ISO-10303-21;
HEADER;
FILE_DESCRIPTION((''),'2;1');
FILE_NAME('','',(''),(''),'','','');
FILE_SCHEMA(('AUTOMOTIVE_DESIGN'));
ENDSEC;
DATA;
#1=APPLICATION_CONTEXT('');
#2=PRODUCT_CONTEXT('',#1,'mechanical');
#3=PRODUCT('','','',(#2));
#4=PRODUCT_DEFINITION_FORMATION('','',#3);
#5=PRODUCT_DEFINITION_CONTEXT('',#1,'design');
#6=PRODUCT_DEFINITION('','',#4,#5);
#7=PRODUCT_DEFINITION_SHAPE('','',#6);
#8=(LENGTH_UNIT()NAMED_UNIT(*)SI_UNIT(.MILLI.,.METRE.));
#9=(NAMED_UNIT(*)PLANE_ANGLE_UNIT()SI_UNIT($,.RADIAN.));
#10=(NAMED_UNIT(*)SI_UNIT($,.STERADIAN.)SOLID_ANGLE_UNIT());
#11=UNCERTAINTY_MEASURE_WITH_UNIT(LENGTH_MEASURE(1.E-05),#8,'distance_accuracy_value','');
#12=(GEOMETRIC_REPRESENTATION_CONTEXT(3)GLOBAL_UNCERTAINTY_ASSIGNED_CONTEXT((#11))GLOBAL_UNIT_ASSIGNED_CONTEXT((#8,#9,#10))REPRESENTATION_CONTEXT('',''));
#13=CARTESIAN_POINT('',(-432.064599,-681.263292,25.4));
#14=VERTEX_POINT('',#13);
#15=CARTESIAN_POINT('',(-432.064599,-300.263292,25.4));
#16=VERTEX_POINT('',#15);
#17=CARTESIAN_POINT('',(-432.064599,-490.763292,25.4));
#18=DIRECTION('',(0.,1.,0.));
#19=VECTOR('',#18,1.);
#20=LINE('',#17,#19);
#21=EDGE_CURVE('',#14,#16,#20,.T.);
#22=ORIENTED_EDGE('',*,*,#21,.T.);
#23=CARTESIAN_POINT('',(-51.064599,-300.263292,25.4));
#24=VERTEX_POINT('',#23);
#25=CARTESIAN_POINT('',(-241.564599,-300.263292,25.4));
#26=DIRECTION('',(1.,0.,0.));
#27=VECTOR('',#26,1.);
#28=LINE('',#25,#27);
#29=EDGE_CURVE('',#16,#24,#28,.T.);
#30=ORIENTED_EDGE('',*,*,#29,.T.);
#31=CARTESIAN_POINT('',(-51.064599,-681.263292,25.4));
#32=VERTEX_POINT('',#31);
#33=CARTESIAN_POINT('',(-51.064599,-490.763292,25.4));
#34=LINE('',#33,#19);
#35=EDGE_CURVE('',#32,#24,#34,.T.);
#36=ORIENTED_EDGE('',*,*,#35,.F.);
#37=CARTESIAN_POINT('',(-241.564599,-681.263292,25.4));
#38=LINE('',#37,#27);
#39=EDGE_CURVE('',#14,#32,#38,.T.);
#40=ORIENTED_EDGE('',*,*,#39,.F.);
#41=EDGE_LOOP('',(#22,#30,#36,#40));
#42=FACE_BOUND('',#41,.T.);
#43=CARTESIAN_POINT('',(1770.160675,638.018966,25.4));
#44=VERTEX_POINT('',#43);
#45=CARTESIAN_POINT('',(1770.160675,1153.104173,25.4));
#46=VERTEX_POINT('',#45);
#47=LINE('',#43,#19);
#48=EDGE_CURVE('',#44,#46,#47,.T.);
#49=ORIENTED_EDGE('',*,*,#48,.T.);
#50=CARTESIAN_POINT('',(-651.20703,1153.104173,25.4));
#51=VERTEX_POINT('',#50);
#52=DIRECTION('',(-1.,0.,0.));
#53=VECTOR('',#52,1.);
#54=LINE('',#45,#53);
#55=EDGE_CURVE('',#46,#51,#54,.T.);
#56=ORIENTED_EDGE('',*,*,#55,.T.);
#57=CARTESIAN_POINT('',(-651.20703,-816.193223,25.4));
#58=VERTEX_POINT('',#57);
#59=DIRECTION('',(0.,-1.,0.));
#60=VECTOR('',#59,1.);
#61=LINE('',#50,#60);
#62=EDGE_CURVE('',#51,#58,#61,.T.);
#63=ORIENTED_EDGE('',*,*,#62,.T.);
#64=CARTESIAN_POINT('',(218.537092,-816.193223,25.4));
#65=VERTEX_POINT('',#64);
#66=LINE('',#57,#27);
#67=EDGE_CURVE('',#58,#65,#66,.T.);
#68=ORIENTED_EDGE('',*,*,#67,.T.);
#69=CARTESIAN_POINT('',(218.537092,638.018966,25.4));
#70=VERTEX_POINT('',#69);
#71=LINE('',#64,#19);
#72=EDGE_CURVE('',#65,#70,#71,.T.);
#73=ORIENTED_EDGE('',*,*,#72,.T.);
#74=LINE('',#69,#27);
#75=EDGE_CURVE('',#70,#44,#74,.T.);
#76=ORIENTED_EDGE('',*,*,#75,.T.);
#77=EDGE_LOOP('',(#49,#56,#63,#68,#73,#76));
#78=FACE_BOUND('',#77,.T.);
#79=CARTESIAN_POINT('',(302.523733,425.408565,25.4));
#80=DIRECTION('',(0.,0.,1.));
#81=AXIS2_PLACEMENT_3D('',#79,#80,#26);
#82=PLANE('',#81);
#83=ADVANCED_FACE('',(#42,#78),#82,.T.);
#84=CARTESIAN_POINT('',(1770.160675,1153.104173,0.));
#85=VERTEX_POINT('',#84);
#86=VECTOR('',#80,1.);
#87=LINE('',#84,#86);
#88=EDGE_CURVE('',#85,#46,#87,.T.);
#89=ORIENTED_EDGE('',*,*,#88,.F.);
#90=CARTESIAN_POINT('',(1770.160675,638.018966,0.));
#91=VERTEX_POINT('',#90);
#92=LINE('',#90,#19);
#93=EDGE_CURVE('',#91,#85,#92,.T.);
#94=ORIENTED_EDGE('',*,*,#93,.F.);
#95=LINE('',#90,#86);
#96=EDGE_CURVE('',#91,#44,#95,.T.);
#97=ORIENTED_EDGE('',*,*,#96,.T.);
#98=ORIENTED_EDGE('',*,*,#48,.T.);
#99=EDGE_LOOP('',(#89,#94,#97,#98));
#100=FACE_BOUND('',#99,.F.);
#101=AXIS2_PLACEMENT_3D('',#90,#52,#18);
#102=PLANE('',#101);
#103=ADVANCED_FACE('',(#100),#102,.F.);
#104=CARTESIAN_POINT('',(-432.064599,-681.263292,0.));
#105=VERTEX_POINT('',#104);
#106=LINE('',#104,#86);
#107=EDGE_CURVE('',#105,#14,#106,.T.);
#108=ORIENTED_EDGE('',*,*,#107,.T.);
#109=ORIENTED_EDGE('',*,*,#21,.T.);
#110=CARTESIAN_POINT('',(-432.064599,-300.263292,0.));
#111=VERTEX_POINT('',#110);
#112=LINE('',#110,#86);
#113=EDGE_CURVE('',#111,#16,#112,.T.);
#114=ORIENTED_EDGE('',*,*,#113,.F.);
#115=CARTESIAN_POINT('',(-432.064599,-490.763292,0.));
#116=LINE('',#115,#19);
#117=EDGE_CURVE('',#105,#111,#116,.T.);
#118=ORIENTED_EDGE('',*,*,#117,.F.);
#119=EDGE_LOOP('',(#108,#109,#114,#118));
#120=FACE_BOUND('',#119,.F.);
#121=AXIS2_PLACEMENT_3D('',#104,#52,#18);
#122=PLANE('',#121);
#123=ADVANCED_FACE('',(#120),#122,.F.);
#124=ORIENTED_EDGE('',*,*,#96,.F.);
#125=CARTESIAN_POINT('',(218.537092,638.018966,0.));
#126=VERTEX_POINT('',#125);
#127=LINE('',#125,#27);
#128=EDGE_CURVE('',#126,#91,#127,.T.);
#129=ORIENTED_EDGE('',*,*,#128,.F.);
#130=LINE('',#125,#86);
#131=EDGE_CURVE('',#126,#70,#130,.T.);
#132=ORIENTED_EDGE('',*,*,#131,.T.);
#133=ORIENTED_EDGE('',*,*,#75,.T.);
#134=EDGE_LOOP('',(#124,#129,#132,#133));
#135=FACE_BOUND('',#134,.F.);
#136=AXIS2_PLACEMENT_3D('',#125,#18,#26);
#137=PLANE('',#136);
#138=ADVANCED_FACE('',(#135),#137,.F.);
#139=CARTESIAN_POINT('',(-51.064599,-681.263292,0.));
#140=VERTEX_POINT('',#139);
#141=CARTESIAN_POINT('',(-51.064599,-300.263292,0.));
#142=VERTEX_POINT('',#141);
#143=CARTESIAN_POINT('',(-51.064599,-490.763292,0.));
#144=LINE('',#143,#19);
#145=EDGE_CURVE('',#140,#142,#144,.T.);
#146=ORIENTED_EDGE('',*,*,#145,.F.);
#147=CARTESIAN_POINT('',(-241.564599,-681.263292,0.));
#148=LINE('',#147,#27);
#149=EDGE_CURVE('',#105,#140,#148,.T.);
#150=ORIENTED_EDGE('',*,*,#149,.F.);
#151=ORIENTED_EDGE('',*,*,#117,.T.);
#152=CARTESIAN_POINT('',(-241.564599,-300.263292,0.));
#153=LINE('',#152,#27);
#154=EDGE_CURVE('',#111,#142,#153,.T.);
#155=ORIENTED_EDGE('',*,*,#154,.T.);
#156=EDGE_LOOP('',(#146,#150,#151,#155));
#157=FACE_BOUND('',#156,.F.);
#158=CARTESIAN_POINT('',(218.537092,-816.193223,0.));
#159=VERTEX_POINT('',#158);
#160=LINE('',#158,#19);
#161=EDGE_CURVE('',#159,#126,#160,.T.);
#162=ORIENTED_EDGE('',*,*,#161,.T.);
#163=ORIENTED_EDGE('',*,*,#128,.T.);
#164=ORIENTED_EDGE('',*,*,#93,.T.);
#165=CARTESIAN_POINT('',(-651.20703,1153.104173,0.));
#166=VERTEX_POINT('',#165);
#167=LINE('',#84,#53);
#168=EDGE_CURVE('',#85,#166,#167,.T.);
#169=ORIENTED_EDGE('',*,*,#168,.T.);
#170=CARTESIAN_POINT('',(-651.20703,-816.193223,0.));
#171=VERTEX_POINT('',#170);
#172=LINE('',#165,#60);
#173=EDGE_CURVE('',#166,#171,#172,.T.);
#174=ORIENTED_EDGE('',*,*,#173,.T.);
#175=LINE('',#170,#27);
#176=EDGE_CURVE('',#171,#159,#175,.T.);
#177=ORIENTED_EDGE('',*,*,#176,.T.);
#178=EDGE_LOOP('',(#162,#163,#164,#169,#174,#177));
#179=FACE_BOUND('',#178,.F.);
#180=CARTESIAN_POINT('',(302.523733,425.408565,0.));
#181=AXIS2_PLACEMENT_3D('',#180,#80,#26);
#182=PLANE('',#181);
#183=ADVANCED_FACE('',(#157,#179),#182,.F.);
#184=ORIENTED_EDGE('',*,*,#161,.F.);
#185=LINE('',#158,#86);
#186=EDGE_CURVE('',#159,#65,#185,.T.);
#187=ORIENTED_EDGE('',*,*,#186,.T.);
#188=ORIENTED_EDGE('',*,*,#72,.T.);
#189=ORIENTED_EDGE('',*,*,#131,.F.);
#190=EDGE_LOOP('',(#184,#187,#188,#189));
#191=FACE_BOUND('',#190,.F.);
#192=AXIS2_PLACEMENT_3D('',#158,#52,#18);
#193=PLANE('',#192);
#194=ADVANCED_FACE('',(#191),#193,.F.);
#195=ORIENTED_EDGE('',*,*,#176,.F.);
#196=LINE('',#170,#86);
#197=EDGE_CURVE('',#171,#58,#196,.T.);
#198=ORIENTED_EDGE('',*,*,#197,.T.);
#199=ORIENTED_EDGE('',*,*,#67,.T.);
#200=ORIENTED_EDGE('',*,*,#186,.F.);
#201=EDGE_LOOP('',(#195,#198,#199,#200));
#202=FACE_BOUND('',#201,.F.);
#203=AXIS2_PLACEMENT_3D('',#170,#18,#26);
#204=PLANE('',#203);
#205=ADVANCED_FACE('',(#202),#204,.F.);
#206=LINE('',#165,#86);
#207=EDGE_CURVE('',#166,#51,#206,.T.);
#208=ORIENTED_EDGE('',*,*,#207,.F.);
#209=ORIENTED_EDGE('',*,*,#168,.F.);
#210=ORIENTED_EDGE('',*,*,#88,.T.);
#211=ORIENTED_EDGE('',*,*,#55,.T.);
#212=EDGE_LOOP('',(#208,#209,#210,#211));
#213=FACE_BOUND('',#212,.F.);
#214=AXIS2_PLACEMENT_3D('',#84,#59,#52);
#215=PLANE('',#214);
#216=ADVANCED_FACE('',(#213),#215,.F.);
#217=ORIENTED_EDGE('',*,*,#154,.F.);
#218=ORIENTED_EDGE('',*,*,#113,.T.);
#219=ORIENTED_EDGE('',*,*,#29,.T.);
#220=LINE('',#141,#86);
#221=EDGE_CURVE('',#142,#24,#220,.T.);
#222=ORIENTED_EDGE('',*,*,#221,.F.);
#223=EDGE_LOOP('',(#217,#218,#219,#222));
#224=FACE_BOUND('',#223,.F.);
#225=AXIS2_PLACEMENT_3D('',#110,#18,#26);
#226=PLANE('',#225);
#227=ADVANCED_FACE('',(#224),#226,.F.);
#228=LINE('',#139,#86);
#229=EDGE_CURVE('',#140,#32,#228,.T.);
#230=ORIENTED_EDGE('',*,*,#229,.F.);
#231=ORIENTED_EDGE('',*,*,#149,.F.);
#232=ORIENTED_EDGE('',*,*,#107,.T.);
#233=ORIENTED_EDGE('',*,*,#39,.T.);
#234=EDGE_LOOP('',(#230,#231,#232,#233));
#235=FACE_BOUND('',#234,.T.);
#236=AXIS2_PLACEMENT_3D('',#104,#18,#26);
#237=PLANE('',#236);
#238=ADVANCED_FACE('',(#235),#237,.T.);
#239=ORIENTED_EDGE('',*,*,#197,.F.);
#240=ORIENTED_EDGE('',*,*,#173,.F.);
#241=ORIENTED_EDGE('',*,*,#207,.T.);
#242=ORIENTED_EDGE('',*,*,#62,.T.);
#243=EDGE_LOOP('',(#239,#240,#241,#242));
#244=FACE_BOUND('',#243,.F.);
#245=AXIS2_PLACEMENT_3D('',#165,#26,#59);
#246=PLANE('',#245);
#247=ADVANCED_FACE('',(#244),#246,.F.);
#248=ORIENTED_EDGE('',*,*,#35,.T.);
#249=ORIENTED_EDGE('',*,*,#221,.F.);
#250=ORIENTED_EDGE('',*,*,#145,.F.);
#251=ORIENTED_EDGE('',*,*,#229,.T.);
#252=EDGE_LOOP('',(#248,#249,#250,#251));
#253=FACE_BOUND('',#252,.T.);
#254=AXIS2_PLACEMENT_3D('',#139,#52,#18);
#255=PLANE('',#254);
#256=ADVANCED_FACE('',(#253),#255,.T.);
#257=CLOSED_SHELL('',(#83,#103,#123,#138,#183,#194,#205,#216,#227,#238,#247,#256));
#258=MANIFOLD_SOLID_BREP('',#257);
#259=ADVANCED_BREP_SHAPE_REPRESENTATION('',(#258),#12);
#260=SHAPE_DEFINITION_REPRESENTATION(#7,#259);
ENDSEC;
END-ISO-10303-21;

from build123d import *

# Parameters (mm, degrees)
F1_W     = 381
F1_H     = 381
F2_DEPTH = 25.4


with BuildPart() as f2:
    # F1 (on face) → F2 (new body)
    with BuildSketch(Plane.XY):
        Polygon((-651.20703, 1153.104173), (-651.20703, -816.193223), (218.537092, -816.193223), (218.537092, 638.018966), (1770.160675, 638.018966), (1770.160675, 1153.104173), align=None)
        with Locations((-241.564599, -490.763292)):
            Rectangle(F1_W, F1_H, mode=Mode.SUBTRACT)
    extrude(amount=F2_DEPTH)


solid = f2.part
